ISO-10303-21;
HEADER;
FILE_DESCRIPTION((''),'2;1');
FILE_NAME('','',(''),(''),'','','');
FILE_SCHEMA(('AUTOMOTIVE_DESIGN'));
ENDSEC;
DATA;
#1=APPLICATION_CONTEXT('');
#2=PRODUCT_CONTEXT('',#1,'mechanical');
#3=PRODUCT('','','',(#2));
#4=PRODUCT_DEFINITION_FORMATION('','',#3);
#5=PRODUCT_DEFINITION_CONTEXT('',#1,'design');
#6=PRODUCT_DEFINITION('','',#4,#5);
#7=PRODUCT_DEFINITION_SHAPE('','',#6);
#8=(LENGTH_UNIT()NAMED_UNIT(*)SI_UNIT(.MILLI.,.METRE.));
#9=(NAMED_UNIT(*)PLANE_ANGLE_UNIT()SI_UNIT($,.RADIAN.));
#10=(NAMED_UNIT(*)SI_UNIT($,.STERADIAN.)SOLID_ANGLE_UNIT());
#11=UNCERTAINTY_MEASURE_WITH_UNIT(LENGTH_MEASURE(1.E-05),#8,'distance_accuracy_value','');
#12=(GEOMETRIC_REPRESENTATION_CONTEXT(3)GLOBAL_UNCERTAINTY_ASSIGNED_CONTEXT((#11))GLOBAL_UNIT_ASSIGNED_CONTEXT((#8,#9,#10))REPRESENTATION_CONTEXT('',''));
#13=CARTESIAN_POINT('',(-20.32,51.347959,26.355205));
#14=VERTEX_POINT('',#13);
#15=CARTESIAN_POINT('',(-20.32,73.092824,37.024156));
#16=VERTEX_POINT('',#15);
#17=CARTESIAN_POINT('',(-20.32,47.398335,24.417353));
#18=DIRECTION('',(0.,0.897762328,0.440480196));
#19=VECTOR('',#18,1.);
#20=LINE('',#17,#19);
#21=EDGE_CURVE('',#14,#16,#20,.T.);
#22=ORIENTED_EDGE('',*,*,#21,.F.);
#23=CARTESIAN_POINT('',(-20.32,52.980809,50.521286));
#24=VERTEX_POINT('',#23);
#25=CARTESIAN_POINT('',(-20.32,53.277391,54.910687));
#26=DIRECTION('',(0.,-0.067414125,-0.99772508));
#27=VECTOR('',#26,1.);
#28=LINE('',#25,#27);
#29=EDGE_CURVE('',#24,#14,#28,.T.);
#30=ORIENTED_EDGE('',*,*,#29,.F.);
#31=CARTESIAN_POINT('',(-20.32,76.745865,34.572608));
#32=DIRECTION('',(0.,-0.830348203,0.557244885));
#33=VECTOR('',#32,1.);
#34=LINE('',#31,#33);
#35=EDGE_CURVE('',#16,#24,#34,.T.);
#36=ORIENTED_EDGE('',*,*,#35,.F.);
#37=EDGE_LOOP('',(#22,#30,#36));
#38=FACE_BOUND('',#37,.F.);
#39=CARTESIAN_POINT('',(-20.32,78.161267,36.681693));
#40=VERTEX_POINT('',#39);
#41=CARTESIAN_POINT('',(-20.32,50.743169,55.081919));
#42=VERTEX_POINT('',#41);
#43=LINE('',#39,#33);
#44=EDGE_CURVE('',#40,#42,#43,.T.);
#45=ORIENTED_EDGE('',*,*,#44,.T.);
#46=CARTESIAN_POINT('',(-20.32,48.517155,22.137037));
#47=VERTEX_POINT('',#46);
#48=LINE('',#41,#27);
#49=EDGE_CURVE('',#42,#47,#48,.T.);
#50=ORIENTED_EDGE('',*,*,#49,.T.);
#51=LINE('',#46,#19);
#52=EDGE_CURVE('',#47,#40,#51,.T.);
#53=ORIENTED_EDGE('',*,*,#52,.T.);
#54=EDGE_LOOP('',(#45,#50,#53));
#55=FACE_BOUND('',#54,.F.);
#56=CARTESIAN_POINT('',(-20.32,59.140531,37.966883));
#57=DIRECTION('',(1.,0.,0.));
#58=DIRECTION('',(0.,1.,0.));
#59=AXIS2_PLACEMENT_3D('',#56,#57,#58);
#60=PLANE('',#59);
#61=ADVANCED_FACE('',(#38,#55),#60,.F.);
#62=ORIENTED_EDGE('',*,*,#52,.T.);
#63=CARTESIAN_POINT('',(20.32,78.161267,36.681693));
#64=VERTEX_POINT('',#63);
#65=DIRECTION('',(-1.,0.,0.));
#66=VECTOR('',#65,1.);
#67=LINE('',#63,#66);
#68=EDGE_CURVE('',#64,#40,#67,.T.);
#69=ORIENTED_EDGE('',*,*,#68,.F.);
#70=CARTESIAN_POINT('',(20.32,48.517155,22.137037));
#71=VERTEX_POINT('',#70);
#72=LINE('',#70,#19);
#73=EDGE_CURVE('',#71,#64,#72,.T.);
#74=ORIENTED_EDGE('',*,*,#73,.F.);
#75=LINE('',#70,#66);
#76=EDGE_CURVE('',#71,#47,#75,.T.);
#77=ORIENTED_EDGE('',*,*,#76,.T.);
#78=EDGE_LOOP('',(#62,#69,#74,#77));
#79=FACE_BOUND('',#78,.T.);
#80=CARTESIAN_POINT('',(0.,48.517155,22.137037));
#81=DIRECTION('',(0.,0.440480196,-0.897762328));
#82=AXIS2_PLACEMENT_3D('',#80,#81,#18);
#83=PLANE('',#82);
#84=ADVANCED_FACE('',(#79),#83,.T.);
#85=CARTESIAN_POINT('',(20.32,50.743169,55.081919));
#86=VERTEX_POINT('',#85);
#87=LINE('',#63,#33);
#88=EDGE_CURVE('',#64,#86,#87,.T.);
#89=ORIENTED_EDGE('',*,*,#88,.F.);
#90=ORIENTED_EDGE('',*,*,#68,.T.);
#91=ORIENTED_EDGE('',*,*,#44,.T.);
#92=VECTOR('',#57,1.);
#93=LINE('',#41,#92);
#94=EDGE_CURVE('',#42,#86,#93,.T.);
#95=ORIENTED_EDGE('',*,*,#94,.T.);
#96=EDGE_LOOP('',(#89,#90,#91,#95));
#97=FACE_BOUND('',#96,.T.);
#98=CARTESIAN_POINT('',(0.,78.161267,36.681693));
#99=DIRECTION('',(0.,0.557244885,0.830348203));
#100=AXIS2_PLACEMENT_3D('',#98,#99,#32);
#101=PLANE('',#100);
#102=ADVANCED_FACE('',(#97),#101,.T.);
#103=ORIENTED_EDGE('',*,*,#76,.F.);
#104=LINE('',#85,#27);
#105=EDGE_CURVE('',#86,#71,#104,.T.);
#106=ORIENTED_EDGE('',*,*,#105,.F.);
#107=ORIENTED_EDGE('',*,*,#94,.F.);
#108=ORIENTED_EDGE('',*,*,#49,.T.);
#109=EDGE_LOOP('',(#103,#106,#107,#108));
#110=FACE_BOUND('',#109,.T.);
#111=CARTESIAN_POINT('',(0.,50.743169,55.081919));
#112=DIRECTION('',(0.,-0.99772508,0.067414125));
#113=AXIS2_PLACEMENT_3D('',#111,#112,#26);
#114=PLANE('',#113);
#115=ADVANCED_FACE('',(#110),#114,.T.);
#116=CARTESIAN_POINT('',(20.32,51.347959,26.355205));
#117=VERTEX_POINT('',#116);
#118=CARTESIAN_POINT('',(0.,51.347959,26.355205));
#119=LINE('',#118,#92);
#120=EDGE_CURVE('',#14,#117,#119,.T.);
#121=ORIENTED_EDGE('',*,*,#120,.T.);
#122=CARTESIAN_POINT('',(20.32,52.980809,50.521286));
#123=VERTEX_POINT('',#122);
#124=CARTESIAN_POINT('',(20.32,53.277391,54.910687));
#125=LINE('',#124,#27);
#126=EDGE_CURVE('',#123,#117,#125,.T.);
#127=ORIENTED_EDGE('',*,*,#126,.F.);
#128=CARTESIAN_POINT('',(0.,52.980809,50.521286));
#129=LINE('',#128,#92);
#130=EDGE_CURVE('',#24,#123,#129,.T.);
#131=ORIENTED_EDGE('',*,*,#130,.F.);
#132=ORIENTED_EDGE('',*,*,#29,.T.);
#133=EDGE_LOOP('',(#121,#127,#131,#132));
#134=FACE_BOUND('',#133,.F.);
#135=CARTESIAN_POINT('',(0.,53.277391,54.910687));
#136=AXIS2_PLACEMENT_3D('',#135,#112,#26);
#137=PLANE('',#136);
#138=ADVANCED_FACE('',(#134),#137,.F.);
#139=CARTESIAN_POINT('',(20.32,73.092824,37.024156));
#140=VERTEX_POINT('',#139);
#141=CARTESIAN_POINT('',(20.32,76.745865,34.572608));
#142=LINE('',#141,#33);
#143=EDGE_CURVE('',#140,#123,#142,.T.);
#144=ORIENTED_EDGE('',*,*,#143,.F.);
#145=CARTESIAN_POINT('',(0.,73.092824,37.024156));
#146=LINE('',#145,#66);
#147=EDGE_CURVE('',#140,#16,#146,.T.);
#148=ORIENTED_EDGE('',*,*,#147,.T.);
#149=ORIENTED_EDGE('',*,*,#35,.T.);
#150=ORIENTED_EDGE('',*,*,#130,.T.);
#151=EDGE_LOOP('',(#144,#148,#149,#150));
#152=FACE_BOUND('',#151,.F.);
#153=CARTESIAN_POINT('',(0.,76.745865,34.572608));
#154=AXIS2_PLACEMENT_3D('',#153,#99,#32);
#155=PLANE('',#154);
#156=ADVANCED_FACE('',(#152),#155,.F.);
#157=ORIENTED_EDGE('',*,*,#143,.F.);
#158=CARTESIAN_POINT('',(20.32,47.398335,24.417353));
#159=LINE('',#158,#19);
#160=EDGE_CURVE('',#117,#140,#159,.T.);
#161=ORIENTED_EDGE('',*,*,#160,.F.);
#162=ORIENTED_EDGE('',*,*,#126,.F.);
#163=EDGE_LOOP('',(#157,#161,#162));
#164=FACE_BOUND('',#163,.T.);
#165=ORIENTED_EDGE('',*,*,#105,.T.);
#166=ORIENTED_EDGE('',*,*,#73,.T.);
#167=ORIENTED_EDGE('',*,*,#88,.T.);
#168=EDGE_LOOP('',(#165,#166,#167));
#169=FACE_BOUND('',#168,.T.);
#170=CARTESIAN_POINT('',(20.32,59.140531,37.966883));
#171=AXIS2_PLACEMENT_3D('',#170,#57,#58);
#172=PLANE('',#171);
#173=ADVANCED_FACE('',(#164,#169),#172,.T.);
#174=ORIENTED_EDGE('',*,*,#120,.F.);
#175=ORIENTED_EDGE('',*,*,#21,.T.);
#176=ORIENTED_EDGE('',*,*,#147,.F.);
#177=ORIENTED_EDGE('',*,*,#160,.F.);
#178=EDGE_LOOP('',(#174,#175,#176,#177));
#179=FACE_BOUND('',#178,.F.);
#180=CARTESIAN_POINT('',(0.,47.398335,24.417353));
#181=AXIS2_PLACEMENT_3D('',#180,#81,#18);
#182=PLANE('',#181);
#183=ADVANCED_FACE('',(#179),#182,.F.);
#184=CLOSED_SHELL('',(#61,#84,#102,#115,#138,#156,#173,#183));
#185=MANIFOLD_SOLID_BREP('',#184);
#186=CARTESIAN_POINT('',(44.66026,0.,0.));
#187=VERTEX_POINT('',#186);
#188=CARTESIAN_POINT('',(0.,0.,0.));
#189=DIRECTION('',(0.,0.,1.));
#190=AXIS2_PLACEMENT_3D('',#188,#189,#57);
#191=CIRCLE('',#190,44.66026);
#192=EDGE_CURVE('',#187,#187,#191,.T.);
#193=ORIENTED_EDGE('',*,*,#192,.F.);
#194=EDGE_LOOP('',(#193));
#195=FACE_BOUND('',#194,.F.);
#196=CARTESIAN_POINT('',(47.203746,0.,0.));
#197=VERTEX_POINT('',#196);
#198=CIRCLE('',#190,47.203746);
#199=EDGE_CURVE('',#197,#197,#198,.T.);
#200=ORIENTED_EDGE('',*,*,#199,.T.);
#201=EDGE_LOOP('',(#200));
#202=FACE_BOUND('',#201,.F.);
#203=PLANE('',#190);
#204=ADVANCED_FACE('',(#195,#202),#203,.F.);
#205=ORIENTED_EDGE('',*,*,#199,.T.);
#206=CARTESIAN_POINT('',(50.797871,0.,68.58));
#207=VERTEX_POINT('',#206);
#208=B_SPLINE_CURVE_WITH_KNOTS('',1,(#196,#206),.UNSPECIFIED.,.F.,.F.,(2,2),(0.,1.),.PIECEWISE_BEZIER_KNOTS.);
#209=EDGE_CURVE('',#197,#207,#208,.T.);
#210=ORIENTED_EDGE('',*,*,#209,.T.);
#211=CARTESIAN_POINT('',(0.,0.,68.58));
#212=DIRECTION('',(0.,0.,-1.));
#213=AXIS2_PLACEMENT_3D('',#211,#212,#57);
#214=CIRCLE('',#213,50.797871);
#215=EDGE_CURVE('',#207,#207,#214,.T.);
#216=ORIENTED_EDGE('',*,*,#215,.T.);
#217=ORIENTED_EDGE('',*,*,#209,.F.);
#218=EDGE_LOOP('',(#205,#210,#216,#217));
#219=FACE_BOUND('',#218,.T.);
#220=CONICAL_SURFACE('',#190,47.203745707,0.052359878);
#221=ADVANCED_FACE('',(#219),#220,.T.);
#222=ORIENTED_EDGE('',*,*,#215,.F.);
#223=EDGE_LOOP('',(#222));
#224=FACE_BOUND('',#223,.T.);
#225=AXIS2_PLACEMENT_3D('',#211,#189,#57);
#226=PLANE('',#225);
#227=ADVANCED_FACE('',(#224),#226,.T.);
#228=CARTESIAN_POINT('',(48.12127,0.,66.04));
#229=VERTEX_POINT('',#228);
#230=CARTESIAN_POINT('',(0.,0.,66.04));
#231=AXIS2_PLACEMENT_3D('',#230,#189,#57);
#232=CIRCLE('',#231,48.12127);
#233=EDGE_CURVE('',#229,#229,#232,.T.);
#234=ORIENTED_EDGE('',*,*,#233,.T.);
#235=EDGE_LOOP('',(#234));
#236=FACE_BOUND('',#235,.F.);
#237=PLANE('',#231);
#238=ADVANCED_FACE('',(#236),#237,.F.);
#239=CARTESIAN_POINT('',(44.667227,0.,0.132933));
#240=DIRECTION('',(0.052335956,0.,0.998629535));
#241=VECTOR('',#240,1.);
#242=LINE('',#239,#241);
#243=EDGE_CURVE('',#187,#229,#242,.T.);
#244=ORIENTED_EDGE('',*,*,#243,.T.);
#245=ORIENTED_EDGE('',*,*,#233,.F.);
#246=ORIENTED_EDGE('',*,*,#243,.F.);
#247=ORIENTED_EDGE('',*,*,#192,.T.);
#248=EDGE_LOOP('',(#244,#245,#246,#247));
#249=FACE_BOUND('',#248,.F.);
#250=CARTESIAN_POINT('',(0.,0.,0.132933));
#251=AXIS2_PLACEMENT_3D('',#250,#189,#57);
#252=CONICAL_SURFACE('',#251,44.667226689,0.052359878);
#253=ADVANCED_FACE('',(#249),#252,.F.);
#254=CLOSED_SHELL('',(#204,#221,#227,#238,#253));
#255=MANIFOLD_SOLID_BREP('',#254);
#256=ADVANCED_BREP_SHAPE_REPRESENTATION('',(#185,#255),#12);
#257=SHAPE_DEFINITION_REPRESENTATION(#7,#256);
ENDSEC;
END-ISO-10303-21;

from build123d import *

# Parameters (mm, degrees)
F0_R     = 47.2037457073
F1_DEPTH = 68.58
F1_TAPER = -3
F3_DEPTH = 20.32
F4_T     = -2.54
F5_T     = -2.54


with BuildPart() as f1:
    # F0 (on Top) → F1 (new body)
    with BuildSketch(Plane.XY):
        Circle(F0_R)
    extrude(amount=F1_DEPTH, taper=F1_TAPER)

    # F5
    f5_openings = [f1.faces().sort_by_distance(p)[0] for p in [
        (0, 0, 0),
    ]]
    offset(amount=F5_T, openings=f5_openings, kind=Kind.INTERSECTION)


with BuildPart() as f3:
    # F2 (on Right) → F3 (new body, symmetric)
    with BuildSketch(Plane.YZ):
        Polygon((78.1612671151, 36.6816926789), (50.7431694437, 55.0819187667), (48.5171550519, 22.137036616), align=None)
    extrude(amount=F3_DEPTH, both=True)

    # F4
    f4_openings = [f3.faces().sort_by_distance(p)[0] for p in [
        (-20.32, 59.140531, 37.966883),
        (20.32, 59.140531, 37.966883),
    ]]
    offset(amount=F4_T, openings=f4_openings)


solid = Compound([f1.part, f3.part])
